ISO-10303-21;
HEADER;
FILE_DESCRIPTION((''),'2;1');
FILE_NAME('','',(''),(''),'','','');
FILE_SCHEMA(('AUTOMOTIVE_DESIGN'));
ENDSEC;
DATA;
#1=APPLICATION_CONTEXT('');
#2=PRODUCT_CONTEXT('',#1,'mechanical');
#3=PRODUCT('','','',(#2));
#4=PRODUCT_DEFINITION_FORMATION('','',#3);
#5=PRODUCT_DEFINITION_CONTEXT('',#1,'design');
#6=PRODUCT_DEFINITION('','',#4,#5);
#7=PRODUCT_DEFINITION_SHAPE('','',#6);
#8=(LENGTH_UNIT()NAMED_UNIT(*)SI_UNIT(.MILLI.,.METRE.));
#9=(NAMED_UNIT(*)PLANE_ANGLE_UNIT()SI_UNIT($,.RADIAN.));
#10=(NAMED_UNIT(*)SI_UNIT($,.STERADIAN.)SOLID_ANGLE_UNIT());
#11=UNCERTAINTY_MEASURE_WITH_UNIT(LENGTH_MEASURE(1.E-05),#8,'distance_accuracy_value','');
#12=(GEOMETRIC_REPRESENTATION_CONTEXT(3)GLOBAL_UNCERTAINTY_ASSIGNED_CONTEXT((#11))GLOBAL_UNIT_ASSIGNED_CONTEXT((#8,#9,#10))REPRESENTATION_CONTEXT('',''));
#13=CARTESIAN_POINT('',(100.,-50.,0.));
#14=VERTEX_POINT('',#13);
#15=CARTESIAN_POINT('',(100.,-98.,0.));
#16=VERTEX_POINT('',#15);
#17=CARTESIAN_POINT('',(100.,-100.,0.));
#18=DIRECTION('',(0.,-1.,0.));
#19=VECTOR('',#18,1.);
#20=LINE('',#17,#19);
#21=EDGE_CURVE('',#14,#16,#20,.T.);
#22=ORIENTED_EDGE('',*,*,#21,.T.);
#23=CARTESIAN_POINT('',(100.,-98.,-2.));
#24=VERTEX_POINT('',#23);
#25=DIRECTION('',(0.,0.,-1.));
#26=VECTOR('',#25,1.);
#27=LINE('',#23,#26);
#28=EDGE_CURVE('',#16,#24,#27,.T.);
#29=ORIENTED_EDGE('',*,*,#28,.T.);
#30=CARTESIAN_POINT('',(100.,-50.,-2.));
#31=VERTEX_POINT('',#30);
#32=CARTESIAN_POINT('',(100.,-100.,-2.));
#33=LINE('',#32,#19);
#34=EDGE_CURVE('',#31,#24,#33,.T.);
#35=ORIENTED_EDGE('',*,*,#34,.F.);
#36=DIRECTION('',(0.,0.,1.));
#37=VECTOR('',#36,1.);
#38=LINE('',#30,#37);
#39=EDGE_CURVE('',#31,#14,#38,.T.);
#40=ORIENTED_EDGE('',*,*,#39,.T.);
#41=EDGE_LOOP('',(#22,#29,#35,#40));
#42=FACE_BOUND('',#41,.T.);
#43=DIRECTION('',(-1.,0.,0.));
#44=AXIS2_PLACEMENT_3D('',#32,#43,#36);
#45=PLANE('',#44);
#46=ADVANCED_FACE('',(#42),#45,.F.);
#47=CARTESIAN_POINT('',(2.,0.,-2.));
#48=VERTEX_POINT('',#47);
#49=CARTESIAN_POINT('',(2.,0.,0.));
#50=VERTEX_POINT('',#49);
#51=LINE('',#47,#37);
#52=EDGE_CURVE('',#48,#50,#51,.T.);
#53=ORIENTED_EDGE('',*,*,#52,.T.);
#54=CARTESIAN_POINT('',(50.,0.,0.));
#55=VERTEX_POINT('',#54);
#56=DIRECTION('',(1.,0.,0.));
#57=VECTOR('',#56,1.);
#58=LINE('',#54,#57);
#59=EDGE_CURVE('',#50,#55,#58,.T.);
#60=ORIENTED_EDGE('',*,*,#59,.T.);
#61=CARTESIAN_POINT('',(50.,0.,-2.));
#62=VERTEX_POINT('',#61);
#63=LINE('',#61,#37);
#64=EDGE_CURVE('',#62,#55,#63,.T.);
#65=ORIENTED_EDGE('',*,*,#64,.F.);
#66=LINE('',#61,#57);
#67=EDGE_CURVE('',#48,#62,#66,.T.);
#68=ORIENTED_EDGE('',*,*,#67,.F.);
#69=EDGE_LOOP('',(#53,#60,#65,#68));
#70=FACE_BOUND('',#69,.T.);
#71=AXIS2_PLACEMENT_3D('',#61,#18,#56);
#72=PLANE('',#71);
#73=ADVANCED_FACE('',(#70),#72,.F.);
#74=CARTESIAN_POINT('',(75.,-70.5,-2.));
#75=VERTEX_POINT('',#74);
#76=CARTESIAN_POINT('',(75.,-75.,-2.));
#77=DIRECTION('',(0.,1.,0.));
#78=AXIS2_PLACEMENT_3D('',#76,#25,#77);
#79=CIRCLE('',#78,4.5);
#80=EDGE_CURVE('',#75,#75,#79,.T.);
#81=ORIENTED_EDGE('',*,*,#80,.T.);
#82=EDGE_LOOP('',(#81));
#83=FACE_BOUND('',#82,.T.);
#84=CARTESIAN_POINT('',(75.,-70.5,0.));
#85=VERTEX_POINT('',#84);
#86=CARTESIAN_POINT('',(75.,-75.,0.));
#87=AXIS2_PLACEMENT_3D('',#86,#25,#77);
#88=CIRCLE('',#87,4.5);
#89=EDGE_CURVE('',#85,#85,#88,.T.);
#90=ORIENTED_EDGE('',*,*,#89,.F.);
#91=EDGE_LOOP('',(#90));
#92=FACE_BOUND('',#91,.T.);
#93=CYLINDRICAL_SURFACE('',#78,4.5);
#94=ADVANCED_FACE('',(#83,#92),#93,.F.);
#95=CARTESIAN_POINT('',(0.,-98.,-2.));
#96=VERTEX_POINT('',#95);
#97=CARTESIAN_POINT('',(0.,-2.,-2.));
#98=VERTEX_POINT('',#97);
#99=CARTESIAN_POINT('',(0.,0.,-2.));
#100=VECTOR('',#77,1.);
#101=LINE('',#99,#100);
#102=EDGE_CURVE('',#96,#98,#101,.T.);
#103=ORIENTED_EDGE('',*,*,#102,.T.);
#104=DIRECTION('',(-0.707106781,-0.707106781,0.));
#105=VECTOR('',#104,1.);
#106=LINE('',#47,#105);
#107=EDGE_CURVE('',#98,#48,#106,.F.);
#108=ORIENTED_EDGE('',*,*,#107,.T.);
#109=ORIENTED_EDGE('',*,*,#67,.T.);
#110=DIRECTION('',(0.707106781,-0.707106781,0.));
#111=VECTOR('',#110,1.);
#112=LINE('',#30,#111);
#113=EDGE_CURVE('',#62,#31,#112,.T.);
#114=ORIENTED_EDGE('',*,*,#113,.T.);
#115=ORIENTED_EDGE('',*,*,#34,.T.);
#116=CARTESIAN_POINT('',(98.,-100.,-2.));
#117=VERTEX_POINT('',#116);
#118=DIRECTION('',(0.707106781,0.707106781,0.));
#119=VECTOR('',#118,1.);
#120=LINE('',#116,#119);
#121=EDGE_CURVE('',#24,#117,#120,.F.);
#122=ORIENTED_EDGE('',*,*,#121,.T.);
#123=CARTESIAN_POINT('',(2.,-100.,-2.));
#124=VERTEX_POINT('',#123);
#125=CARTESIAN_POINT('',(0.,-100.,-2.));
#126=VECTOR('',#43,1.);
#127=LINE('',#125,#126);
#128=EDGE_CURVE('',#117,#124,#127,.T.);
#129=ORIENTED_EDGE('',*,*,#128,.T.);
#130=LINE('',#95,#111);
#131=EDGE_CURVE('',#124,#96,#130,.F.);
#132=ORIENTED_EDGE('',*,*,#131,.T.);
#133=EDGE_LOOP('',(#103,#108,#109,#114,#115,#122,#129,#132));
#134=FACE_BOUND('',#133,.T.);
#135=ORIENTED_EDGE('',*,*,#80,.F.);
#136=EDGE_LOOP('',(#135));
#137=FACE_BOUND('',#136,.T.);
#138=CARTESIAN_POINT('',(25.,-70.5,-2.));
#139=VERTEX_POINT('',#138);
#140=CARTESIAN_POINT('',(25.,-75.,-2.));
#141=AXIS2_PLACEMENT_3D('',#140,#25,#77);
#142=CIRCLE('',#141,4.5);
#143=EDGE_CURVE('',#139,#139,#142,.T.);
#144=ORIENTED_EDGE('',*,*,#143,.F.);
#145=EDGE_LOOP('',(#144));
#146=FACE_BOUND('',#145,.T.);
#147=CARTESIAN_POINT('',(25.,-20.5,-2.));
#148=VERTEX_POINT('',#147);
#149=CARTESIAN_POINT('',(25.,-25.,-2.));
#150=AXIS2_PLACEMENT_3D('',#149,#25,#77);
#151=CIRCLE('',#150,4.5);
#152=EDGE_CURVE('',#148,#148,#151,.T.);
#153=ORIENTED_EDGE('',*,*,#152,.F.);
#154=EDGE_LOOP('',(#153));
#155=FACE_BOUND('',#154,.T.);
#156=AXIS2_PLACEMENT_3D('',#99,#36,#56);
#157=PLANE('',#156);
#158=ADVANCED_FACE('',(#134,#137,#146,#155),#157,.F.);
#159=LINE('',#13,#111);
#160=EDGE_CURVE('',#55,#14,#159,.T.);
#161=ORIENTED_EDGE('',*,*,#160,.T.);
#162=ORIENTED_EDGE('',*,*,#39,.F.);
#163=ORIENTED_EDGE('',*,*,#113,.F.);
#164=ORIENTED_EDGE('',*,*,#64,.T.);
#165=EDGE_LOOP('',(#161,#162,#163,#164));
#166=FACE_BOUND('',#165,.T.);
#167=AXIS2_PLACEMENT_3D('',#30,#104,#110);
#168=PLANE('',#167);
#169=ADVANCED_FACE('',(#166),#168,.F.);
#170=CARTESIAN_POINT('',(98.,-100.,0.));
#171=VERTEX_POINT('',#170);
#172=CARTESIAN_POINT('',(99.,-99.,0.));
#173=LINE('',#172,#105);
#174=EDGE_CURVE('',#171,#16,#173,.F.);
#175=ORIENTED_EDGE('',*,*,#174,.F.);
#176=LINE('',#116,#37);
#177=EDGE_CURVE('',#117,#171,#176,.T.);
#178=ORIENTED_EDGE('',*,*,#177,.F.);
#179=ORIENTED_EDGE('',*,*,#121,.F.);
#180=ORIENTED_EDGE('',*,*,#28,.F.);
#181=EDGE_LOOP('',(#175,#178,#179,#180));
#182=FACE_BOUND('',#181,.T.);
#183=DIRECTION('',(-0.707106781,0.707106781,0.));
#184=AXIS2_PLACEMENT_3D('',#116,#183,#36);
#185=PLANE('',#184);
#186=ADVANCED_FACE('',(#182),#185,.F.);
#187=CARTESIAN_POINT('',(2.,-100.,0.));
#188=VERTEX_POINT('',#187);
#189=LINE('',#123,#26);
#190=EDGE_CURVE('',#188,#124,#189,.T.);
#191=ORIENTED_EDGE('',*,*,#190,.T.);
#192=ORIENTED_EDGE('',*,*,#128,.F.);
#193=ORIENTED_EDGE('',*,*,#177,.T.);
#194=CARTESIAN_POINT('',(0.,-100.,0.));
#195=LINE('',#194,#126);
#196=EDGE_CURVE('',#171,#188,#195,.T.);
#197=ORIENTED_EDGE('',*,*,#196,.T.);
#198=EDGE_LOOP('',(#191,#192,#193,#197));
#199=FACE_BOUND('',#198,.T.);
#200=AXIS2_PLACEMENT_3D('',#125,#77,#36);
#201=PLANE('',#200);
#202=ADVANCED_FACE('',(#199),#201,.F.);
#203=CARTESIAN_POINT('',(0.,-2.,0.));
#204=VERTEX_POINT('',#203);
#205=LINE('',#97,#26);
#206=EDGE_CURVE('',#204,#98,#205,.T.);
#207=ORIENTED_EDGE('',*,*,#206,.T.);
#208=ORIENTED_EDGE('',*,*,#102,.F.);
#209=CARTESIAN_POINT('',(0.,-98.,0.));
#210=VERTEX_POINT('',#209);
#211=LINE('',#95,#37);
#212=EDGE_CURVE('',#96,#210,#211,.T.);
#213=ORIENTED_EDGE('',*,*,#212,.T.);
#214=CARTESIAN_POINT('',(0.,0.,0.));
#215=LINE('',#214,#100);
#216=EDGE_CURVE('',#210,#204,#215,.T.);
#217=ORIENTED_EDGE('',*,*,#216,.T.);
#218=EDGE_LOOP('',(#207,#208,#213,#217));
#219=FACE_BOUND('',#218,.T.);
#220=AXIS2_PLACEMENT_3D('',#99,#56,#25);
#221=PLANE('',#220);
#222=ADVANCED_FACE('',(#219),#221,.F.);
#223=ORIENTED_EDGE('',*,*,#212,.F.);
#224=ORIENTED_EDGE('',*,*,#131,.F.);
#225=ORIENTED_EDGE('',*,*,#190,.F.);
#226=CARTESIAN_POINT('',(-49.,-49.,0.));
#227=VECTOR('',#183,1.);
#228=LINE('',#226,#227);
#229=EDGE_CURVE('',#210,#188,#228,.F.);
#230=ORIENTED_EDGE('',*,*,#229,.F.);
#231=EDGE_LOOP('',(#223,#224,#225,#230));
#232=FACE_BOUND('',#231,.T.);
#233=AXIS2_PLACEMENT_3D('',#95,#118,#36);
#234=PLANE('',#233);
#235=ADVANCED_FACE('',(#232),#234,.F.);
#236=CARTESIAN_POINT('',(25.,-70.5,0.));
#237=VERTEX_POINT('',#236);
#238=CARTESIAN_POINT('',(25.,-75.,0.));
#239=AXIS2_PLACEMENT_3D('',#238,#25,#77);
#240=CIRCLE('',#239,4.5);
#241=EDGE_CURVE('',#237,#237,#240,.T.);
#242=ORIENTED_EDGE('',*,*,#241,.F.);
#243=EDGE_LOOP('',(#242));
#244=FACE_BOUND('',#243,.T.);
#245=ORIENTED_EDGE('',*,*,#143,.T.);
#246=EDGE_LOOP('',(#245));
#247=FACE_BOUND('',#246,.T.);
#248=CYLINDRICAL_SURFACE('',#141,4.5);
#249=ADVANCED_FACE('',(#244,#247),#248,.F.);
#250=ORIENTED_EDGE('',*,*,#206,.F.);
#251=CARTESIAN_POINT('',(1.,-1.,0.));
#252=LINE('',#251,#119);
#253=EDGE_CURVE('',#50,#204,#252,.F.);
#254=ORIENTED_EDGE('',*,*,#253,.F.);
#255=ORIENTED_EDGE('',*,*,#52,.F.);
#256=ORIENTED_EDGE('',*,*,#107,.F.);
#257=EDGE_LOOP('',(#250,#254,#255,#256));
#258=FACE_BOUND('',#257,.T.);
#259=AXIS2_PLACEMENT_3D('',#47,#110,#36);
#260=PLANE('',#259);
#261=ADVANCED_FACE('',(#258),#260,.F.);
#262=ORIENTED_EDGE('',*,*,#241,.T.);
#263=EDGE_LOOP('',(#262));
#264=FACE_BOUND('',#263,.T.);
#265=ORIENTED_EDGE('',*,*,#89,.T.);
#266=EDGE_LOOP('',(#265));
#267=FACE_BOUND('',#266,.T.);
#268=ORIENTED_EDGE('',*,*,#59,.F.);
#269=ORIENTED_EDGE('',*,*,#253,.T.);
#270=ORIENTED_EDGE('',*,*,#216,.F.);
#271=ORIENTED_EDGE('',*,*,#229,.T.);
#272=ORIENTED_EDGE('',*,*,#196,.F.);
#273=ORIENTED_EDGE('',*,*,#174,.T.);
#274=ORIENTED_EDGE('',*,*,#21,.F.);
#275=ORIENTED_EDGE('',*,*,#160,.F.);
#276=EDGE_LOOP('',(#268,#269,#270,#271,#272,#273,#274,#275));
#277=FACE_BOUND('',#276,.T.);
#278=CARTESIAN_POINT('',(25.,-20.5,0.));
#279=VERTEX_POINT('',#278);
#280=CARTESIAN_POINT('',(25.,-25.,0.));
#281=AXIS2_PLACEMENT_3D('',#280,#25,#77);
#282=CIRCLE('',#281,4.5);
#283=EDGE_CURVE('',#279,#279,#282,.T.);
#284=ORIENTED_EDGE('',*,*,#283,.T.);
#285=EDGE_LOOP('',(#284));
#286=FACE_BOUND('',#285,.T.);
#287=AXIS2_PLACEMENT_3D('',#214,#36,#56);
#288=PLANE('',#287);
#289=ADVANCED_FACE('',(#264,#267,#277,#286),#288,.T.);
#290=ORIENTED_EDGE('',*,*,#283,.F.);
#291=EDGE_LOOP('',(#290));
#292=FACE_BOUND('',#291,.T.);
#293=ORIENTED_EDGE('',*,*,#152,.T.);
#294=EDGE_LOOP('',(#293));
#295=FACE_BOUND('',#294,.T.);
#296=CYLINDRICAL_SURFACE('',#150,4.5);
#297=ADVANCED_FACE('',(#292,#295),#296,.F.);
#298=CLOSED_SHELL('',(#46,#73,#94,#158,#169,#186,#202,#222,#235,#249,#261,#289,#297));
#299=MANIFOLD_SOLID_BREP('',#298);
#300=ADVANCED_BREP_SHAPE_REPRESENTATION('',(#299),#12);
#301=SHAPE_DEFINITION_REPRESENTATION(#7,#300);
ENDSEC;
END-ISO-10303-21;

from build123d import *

# Parameters (mm, degrees)
EXTRUDE_1_DEPTH   = 2
HOLE_WIZARD_M81_D = 9
CHAMFER_1_SIZE    = 2


with BuildPart() as part:
    # Эскиз1 → Бобышка-Вытянуть1 (new body)
    with BuildSketch(Plane(origin=(0, 0, 0), x_dir=(1, 0, 0), z_dir=(0, 0, -1))):
        Polygon((0, 0), (0, 100), (100, 100), (100, 50), (50, 0), align=None)
    extrude(amount=EXTRUDE_1_DEPTH)

    # Отверстие с зазором M81 (through all)
    with Locations(Plane(origin=(0, 0, -2), x_dir=(1, 0, 0), z_dir=(0, 0, -1))):
        with Locations((25, 75), (25, 25), (75, 75)):
            Hole(HOLE_WIZARD_M81_D / 2)

    # Фаска1
    chamfer_1_edges = [part.edges().sort_by_distance(p)[0] for p in [
        (0, 0, -1),
        (0, -100, -1),
        (100, -100, -1),
    ]]
    chamfer(chamfer_1_edges, length=CHAMFER_1_SIZE)


solid = part.part
